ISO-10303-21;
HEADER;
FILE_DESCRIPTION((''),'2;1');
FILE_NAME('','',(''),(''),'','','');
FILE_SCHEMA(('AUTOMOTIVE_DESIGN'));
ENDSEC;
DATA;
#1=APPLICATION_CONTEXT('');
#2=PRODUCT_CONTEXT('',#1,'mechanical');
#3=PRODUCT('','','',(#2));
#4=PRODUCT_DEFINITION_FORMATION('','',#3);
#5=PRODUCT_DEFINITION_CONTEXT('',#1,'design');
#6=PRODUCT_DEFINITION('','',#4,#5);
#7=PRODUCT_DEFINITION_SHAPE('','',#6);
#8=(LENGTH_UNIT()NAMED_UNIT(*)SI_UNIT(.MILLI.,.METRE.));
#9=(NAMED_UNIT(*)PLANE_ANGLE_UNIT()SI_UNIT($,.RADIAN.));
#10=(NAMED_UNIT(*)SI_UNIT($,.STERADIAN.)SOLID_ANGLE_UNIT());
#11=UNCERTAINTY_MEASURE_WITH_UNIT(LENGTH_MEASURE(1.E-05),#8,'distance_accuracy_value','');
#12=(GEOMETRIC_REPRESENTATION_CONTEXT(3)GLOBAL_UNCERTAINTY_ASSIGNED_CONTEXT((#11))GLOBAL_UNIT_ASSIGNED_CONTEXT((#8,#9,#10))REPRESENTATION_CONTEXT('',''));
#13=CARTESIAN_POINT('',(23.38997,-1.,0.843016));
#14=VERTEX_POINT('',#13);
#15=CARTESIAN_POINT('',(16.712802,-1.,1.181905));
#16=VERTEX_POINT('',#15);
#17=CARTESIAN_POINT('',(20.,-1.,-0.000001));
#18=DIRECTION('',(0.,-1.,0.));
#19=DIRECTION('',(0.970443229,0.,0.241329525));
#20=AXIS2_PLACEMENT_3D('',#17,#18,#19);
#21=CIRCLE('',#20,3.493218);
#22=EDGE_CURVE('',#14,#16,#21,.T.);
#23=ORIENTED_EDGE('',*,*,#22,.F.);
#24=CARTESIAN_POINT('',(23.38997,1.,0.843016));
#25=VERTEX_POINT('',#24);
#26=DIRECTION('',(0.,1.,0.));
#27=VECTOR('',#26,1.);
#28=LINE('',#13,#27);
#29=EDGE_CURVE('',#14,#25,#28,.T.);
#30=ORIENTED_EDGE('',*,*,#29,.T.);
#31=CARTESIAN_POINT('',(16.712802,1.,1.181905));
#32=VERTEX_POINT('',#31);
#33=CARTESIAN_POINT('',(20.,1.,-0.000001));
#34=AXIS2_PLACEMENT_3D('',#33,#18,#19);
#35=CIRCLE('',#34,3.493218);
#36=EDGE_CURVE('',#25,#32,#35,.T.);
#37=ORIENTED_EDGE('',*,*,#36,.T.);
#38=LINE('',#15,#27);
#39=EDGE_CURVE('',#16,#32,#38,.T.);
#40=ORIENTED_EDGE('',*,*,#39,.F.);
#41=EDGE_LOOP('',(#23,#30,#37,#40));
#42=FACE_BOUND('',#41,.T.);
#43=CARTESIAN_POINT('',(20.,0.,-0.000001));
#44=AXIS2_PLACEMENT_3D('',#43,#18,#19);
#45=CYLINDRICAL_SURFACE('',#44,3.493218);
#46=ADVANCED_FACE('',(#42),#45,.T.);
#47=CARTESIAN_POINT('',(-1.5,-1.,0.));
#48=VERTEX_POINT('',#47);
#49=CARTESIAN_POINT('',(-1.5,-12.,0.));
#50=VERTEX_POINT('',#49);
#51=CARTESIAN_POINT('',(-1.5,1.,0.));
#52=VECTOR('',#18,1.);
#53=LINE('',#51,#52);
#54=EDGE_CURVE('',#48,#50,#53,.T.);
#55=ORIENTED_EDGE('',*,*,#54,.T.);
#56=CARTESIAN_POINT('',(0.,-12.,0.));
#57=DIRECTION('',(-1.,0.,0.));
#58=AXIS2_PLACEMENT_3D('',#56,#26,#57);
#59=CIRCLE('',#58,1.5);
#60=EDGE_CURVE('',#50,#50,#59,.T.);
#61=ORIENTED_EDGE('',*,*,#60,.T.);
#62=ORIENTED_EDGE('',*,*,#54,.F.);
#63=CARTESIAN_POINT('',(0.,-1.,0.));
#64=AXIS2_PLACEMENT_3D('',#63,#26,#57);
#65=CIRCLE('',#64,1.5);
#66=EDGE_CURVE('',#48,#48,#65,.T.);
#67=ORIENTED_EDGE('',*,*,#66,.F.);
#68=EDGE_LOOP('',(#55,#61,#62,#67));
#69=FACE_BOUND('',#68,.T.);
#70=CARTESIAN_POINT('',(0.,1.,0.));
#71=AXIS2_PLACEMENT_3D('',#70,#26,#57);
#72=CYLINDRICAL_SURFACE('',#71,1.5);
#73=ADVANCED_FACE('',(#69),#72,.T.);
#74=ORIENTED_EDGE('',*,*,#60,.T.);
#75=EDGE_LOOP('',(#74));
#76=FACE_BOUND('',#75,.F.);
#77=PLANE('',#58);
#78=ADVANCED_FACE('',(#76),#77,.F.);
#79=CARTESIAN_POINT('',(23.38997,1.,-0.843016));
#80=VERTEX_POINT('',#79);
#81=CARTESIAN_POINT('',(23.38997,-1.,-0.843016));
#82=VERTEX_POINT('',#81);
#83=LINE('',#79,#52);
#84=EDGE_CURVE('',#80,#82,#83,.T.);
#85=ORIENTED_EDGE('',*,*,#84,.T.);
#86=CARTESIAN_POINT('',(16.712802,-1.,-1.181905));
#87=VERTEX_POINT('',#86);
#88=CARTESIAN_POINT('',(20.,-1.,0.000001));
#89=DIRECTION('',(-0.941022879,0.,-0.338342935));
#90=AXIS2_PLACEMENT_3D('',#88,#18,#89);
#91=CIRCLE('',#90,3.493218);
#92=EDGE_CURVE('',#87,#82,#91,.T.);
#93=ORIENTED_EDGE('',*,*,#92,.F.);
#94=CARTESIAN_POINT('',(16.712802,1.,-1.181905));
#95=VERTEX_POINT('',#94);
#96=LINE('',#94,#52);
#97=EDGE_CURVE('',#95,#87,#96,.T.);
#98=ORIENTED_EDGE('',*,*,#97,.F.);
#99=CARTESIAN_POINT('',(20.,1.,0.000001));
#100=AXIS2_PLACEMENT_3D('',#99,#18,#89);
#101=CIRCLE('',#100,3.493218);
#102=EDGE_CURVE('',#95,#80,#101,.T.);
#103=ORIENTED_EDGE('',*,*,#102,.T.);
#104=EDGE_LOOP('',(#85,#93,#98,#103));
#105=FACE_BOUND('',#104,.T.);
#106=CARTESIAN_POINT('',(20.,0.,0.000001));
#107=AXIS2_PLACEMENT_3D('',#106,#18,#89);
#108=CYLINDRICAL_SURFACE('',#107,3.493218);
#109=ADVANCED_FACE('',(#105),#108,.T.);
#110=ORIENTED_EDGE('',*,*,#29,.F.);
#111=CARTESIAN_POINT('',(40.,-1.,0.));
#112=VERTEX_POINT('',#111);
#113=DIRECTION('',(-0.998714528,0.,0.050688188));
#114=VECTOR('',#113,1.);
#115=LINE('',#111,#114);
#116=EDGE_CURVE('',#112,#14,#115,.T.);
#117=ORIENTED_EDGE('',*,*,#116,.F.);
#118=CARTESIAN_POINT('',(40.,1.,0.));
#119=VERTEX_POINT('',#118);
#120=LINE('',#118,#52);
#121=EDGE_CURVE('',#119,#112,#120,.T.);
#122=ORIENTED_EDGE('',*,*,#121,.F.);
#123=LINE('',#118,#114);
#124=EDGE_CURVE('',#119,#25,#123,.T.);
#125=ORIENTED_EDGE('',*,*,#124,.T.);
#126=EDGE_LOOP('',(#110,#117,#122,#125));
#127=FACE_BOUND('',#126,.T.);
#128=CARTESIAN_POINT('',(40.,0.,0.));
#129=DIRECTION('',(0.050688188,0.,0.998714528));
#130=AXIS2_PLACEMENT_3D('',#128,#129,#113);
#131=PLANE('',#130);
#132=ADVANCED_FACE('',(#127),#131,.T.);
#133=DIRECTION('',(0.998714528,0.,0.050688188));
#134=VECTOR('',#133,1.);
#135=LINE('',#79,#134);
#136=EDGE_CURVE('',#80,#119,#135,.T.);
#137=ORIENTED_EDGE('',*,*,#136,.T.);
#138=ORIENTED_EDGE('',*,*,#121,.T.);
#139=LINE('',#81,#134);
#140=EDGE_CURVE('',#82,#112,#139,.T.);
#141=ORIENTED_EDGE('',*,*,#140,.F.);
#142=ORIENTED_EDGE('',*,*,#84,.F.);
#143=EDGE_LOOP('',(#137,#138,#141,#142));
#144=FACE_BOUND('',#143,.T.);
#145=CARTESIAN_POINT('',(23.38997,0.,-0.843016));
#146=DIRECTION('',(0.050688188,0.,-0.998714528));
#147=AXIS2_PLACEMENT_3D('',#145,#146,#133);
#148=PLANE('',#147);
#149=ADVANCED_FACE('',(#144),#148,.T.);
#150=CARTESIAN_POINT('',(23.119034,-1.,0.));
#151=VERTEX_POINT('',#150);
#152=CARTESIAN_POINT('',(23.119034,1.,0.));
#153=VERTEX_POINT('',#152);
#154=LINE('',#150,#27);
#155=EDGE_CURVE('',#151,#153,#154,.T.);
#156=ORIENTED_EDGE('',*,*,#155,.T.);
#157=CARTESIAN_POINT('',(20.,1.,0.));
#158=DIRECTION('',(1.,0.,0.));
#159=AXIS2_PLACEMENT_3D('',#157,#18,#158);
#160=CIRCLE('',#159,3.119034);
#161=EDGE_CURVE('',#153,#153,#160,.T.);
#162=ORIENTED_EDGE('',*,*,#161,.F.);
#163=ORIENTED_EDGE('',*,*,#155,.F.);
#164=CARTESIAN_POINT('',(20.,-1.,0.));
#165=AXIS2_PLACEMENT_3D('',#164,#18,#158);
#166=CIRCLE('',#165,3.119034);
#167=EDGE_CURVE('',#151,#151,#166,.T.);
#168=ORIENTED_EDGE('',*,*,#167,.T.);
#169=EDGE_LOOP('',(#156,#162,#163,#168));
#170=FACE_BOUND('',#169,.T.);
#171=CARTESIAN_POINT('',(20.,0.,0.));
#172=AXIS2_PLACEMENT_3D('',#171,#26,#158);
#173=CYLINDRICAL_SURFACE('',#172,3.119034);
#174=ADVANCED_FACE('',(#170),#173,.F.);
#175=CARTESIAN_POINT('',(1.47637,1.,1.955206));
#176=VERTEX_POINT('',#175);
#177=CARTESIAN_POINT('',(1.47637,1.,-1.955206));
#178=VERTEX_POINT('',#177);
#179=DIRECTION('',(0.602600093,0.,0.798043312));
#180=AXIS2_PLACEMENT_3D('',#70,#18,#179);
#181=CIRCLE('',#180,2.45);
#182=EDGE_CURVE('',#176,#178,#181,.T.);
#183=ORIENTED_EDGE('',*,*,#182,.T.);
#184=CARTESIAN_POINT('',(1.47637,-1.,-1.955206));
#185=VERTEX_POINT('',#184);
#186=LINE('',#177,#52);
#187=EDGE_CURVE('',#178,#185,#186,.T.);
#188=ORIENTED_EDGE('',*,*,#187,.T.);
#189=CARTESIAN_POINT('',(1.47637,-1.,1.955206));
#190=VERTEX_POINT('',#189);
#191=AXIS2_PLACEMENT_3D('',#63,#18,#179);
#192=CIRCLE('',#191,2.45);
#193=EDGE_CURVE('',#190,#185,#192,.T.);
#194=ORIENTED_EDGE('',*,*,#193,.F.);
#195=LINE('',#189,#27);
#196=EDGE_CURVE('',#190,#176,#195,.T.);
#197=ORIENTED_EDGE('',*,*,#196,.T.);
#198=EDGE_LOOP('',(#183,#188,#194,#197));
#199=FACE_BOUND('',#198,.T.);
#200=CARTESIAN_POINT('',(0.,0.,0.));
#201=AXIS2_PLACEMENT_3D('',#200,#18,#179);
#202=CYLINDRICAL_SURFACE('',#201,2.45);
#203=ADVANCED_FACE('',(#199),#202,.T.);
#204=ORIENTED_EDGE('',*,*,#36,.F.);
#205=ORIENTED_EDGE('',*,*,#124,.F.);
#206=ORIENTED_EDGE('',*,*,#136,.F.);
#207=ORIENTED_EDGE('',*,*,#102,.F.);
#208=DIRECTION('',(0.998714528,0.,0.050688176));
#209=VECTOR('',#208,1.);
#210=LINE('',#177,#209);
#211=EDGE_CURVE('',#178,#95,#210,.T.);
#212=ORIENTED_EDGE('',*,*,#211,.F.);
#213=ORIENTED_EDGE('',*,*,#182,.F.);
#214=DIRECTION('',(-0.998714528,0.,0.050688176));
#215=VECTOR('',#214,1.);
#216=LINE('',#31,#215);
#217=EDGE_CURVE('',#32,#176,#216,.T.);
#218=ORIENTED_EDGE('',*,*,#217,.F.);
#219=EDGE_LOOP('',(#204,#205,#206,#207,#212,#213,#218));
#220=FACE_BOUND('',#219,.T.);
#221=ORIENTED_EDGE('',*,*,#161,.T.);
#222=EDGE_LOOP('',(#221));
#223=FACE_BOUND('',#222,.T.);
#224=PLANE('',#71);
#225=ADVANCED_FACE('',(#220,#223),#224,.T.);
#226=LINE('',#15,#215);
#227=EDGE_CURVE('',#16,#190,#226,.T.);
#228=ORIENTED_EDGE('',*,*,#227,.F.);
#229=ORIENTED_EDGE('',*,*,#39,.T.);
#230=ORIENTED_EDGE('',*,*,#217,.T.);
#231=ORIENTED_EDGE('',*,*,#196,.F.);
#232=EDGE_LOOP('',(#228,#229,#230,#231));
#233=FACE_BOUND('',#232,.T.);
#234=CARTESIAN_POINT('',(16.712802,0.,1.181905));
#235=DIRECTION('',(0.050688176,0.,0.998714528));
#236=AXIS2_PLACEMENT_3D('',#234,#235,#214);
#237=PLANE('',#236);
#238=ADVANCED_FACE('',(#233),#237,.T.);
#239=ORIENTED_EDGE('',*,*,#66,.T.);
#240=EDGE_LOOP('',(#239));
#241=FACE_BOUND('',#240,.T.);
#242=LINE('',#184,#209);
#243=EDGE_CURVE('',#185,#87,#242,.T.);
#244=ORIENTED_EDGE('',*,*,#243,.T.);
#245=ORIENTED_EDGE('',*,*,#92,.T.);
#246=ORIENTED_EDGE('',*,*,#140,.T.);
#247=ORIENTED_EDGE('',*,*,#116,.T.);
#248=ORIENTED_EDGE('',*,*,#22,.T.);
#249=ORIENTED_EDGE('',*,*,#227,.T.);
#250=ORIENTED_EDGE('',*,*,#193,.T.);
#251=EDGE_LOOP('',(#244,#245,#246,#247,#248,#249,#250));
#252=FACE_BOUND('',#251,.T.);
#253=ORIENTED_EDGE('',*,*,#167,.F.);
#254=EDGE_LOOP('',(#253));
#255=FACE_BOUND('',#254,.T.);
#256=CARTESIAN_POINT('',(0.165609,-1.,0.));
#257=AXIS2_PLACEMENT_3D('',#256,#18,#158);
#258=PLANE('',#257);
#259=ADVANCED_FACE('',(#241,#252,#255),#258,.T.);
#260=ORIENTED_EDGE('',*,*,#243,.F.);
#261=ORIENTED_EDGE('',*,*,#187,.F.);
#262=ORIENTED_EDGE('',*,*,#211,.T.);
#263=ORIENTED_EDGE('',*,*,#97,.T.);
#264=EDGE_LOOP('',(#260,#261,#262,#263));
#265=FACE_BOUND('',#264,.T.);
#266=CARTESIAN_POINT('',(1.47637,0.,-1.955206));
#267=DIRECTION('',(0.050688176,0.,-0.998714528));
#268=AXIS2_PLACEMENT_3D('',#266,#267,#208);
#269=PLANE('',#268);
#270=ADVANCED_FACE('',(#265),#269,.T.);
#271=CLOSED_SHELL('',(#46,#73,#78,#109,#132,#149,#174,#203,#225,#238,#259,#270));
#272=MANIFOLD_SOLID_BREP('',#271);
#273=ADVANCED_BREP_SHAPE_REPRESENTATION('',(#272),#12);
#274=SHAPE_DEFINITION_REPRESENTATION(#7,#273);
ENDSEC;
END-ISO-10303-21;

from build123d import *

# Parameters (mm, degrees)
F0_R     = 3.119034
F1_DEPTH = 1
F2_R     = 1.5
F3_DEPTH = 13


with BuildPart() as f1:
    # F0 (on Front) → F1 (new body, symmetric)
    with BuildSketch(Plane.XZ):
        with BuildLine():
            ThreePointArc((1.47637, -1.955206), (2.193126, -1.092106), (2.45, 0))
            ThreePointArc((2.45, 0), (2.193126, 1.092106), (1.47637, 1.955206))
            ThreePointArc((1.47637, 1.955206), (-2.45, 0), (1.47637, -1.955206))
        make_face()
        with BuildLine():
            ThreePointArc((1.47637, 1.955206), (2.193126, 1.092106), (2.45, 0))
            ThreePointArc((2.45, 0), (2.193126, -1.092106), (1.47637, -1.955206))
            Line((1.47637, -1.955206), (16.712802, -1.181905))
            ThreePointArc((16.712802, -1.181905), (16.506782, 0), (16.712802, 1.181905))
            Line((16.712802, 1.181905), (1.47637, 1.955206))
        make_face()
        with BuildLine():
            ThreePointArc((23.38997, 0.843016), (20.177065, 3.488727), (16.712802, 1.181905))
            ThreePointArc((16.712802, 1.181905), (16.506782, 0), (16.712802, -1.181905))
            ThreePointArc((16.712802, -1.181905), (20.177065, -3.488727), (23.38997, -0.843016))
            ThreePointArc((23.38997, -0.843016), (23.46731, -0.424657), (23.493218, 0))
            ThreePointArc((23.493218, 0), (23.46731, 0.424657), (23.38997, 0.843016))
        make_face()
        with Locations((20, 0)):
            Circle(F0_R, mode=Mode.SUBTRACT)
        with BuildLine():
            Line((40, 0), (23.38997, 0.843016))
            ThreePointArc((23.38997, 0.843016), (23.46731, 0.424657), (23.493218, 0))
            ThreePointArc((23.493218, 0), (23.46731, -0.424657), (23.38997, -0.843016))
            Line((23.38997, -0.843016), (40, 0))
        make_face()
    extrude(amount=F1_DEPTH, both=True)

    # F2 (on face) → F3 (join)
    with BuildSketch(Plane(origin=(0, 1, 0), x_dir=(-1, 0, 0), z_dir=(0, 1, 0))):
        Circle(F2_R)
    extrude(amount=-F3_DEPTH)


solid = f1.part
